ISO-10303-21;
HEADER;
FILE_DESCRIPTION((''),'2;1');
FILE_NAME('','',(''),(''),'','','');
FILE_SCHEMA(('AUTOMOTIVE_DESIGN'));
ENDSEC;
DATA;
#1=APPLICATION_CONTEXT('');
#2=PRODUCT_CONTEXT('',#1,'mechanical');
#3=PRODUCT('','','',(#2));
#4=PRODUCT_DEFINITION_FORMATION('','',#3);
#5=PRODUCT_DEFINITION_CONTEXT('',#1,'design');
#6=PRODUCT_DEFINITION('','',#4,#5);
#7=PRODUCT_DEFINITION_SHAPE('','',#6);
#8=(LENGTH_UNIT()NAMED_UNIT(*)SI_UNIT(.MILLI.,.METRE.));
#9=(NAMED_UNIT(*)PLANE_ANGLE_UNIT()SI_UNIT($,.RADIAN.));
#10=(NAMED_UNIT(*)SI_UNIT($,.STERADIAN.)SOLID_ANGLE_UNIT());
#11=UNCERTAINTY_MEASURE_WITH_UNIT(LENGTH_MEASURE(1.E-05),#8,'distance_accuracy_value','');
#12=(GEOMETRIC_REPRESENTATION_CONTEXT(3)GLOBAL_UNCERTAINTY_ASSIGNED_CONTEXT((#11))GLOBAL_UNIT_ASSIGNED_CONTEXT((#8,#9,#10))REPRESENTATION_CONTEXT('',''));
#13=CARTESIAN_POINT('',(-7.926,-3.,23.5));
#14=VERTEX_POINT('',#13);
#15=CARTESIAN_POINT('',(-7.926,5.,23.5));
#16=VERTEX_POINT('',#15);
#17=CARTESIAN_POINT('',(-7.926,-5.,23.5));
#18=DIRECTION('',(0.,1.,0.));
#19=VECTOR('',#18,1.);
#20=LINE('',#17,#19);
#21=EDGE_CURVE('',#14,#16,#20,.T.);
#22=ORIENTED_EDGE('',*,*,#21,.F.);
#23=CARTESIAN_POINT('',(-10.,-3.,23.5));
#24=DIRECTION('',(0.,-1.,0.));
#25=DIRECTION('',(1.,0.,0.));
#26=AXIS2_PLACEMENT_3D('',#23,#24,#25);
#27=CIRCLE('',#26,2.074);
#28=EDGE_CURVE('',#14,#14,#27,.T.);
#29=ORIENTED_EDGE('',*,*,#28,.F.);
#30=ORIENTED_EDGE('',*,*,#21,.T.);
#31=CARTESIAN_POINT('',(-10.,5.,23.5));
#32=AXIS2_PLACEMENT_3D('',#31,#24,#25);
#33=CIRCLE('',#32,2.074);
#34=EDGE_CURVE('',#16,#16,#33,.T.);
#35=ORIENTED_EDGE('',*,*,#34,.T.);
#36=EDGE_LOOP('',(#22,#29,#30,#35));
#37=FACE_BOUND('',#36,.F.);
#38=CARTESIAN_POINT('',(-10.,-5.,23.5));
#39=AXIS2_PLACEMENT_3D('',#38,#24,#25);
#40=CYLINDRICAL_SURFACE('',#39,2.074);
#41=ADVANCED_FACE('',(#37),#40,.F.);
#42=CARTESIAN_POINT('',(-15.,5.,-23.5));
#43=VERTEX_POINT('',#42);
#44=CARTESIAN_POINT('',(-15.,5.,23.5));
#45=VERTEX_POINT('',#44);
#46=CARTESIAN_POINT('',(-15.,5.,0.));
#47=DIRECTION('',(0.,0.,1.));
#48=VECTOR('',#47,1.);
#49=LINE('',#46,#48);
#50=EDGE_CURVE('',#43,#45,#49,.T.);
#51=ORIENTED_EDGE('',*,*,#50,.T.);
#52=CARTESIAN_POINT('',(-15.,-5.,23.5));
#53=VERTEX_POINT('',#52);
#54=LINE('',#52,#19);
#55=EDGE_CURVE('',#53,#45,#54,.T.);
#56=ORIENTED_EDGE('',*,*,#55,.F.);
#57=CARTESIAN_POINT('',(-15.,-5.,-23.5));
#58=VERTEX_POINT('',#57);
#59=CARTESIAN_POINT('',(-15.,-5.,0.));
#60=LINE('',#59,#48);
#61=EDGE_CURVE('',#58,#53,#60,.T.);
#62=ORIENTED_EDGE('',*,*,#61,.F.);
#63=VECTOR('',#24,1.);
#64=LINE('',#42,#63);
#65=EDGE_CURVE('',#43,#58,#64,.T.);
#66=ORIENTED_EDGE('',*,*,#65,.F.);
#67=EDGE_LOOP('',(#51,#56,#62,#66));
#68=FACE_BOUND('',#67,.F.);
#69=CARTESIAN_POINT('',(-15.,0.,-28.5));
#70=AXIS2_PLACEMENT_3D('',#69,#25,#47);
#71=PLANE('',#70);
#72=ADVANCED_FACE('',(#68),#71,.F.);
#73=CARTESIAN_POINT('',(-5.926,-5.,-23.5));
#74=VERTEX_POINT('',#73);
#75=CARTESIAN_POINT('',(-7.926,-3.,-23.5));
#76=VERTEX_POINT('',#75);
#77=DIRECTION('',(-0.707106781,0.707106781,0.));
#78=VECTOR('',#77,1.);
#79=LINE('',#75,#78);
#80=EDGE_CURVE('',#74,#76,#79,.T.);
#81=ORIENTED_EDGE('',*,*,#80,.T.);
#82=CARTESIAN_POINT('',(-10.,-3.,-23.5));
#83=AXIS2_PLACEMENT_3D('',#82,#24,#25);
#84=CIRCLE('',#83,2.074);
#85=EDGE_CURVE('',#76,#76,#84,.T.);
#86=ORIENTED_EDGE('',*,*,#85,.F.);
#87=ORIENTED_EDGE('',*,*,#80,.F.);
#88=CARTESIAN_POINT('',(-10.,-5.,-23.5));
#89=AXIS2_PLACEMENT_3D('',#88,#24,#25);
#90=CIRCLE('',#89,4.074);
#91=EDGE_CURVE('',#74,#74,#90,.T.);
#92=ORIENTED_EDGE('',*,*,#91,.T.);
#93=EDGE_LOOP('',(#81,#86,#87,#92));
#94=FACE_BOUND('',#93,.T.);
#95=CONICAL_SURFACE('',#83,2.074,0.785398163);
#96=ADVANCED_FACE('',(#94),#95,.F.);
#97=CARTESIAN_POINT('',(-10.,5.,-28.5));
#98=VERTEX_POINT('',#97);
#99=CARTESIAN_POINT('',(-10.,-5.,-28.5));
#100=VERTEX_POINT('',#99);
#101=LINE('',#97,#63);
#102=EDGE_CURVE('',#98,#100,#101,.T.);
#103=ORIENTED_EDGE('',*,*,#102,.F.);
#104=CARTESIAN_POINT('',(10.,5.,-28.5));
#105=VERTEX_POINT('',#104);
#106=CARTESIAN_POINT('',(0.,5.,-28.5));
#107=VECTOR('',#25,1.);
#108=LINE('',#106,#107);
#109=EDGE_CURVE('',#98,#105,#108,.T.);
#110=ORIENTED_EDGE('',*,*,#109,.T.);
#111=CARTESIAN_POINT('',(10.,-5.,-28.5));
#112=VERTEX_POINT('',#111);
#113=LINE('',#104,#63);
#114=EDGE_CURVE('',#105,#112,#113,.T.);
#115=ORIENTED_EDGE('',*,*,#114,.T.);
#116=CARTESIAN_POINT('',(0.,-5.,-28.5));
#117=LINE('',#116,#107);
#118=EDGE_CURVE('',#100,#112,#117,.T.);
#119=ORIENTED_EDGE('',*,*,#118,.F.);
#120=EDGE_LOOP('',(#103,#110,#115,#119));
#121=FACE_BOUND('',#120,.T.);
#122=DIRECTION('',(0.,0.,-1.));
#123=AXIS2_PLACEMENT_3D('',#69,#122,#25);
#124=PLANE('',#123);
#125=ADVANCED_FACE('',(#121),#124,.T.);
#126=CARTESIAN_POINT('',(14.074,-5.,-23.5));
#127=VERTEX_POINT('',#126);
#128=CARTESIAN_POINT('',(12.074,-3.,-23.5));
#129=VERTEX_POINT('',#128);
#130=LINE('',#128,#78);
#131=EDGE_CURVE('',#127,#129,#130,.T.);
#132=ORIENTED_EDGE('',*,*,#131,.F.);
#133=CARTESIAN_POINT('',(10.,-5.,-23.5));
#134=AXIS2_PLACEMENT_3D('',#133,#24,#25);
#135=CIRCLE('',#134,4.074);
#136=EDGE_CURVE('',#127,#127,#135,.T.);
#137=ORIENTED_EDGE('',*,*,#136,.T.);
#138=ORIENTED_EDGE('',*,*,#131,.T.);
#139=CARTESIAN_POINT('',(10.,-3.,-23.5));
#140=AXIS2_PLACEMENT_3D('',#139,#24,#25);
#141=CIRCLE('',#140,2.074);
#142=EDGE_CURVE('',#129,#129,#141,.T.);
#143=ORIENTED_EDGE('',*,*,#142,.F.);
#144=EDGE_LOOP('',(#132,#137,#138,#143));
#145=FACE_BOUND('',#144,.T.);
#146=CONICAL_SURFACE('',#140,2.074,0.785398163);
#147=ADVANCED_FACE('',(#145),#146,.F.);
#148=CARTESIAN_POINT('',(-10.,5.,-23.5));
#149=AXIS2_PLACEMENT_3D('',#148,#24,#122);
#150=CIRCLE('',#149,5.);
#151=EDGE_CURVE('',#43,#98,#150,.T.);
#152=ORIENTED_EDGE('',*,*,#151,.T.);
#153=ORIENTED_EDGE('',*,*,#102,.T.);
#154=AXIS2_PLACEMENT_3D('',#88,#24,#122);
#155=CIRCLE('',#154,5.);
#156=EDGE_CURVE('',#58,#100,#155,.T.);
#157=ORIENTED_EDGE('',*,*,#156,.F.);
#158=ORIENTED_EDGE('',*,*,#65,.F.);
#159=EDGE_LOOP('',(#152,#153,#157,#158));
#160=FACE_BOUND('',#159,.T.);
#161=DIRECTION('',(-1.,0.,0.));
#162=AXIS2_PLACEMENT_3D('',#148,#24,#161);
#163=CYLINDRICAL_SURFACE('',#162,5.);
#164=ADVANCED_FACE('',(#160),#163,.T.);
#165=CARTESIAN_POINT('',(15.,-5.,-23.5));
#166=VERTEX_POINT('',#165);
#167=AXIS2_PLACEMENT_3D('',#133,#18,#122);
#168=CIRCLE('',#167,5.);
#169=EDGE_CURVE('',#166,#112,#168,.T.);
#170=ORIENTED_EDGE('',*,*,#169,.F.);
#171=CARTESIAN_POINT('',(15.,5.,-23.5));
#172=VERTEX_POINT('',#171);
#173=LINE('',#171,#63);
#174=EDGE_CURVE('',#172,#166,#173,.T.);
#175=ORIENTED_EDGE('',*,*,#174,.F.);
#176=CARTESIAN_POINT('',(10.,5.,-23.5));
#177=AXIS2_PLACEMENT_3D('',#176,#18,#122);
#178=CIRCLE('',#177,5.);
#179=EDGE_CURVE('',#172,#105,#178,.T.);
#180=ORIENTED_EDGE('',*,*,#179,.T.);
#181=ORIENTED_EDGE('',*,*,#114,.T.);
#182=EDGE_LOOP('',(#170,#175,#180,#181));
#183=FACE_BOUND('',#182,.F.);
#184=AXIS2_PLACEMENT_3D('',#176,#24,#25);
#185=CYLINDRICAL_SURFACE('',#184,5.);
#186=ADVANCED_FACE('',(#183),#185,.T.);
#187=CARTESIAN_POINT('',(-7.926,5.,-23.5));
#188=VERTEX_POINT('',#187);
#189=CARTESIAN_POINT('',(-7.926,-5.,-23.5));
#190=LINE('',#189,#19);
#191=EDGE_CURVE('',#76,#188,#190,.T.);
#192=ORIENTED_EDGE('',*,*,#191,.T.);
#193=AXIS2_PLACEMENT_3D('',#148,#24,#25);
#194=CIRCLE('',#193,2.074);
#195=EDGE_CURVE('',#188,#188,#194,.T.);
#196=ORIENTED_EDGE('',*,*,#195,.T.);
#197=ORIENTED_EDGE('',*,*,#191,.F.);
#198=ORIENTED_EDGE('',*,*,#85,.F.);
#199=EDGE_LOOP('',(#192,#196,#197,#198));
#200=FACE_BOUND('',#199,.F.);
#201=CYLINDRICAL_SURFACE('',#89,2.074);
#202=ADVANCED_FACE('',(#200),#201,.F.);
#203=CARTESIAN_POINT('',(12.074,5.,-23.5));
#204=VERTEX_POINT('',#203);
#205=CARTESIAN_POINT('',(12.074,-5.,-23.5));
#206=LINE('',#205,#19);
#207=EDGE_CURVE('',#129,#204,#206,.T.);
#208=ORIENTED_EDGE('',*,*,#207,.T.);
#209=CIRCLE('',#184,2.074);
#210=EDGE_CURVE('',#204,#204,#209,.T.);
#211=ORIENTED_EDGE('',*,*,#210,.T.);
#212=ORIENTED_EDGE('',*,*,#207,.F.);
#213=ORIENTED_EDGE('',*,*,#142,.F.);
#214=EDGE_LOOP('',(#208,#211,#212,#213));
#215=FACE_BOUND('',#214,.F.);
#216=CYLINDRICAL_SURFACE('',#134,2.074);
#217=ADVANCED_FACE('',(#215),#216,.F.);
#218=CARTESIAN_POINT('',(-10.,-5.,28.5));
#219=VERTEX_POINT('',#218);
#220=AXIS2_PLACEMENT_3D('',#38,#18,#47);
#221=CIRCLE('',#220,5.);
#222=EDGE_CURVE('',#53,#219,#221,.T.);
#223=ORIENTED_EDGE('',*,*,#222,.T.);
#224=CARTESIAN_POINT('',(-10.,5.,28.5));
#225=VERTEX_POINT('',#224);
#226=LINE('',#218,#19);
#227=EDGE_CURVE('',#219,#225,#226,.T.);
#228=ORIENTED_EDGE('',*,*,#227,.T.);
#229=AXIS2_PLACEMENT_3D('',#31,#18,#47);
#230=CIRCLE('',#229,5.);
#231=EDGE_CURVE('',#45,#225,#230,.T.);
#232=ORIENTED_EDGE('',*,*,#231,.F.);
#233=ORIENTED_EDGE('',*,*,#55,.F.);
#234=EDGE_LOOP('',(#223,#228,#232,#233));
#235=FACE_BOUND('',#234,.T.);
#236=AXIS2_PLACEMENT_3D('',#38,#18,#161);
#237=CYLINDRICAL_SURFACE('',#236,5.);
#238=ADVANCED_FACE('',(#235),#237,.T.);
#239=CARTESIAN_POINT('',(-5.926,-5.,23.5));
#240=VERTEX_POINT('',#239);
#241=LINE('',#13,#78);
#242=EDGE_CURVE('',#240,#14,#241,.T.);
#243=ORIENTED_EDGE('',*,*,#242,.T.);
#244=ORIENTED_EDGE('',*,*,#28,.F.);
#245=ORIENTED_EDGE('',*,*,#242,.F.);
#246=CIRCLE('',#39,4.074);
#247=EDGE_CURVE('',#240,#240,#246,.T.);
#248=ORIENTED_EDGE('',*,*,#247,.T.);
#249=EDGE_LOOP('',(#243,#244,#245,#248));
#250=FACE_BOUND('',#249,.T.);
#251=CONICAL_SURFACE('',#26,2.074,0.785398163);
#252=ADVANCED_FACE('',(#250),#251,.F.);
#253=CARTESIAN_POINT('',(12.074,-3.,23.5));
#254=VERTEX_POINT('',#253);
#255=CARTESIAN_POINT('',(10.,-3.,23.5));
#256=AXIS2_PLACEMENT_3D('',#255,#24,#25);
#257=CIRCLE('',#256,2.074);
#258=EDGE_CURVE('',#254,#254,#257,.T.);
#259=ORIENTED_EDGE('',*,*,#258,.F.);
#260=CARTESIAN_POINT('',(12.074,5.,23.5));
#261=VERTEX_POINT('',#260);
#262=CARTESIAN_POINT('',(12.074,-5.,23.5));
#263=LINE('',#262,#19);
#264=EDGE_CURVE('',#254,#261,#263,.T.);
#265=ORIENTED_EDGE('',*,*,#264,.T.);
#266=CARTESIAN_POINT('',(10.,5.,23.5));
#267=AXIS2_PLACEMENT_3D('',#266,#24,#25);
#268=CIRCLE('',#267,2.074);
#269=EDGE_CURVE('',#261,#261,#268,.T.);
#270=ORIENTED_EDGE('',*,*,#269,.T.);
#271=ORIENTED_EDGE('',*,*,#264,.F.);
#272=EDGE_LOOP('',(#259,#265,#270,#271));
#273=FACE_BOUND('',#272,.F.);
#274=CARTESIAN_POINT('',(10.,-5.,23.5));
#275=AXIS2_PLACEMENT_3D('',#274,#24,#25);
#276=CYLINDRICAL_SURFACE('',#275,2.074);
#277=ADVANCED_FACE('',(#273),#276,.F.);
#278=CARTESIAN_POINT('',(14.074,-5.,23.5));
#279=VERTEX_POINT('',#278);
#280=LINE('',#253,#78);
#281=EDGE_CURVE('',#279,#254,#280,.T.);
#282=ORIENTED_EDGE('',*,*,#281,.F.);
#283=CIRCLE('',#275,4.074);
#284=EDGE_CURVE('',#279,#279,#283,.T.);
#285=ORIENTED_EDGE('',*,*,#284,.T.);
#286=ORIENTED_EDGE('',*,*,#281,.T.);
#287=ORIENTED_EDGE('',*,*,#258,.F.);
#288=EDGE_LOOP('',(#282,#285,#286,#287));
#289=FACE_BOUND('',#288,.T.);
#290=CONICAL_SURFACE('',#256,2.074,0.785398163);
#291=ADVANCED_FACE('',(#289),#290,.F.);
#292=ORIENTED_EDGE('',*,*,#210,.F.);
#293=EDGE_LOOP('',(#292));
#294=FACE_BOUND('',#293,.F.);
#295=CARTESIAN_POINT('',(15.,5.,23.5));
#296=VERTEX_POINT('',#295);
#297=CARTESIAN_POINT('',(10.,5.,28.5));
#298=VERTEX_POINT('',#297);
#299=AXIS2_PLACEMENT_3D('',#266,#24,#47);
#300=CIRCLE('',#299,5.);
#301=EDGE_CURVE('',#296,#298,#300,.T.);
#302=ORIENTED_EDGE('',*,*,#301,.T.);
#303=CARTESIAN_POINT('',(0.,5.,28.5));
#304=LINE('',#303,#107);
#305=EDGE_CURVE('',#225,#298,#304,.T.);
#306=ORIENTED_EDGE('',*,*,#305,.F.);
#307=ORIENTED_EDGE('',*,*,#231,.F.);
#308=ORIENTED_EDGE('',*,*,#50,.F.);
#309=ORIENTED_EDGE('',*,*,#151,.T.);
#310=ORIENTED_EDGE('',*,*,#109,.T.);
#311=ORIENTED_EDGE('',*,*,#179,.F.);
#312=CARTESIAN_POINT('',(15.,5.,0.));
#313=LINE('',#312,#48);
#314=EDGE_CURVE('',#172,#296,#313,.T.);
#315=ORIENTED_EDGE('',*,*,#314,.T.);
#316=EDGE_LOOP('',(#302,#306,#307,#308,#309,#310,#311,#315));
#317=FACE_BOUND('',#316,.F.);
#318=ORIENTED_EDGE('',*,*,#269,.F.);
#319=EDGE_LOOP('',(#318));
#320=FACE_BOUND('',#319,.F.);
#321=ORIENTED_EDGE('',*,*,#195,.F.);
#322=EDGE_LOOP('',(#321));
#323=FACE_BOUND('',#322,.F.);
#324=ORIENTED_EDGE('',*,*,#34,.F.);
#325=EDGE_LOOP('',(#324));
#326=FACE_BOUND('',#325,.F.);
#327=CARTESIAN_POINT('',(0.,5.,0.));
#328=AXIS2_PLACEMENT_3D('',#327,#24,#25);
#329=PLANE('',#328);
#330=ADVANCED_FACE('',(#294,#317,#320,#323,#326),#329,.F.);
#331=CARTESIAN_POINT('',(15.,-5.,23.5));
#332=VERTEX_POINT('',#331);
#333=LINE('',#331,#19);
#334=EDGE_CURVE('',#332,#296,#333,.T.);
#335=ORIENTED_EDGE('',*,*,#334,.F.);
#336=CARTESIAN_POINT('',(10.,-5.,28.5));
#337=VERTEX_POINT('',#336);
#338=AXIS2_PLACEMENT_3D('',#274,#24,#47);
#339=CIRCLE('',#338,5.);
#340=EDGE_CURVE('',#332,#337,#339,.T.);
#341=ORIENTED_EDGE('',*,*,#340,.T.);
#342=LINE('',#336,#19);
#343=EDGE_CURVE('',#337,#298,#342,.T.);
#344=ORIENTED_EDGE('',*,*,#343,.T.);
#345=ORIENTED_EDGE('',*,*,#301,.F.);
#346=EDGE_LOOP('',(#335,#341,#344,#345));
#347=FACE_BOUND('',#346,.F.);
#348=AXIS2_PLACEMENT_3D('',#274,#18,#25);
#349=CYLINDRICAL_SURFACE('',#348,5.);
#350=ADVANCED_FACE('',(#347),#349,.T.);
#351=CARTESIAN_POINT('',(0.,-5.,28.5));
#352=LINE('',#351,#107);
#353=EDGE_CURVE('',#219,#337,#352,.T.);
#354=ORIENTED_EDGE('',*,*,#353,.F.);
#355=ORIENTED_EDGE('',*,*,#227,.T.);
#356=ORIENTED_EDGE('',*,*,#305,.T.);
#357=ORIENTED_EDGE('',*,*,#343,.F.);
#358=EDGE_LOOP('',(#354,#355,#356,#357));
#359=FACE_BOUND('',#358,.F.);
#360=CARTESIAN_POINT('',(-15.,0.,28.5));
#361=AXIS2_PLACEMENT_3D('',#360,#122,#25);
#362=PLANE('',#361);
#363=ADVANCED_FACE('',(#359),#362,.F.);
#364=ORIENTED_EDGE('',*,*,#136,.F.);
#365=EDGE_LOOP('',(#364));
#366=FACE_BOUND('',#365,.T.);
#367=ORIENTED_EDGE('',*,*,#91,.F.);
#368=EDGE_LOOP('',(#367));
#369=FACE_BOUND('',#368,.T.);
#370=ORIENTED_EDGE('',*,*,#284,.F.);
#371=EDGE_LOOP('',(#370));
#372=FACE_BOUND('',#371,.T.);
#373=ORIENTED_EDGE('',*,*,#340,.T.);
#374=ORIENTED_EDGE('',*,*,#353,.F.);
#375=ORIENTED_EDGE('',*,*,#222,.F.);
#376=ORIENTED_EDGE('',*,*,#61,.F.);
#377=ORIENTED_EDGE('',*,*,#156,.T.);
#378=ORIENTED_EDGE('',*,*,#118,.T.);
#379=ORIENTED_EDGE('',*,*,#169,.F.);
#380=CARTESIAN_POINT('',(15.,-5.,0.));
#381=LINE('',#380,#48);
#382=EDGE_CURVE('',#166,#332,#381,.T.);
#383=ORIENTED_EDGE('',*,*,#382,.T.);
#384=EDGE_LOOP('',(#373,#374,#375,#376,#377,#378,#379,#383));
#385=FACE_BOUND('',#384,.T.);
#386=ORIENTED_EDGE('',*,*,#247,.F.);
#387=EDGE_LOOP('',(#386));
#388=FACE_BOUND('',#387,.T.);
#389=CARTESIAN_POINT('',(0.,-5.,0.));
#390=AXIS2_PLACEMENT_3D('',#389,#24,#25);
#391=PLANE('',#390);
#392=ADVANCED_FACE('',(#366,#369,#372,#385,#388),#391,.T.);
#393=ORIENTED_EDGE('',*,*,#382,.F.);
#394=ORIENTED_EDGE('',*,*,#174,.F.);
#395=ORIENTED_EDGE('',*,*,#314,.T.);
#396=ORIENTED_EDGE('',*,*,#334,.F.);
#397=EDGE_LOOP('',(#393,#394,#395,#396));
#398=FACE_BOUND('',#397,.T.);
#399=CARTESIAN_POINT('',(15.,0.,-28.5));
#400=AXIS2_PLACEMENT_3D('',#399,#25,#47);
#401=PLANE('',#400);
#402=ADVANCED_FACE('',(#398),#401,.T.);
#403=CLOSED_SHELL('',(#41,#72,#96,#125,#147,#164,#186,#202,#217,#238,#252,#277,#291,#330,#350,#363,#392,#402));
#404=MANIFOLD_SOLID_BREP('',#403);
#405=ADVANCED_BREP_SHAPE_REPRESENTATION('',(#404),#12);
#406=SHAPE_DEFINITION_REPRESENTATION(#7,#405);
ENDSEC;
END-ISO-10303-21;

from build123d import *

# Parameters (mm, degrees)
F0_W          = 30
F0_H          = 57
F1_DEPTH      = 5
F1_DEPTH_BACK = 5
F2_R          = 5
F3_R          = 2.074
F4_DEPTH      = 10.001
F5_SIZE       = 2


with BuildPart() as f1:
    # F0 (on Front) → F1 (new body, two sides)
    with BuildSketch(Plane.XZ) as f1_sk:
        Rectangle(F0_W, F0_H)
    extrude(amount=F1_DEPTH)
    extrude(f1_sk.sketch, amount=-F1_DEPTH_BACK)

    # F2
    f2_edges = [f1.edges().sort_by_distance(p)[0] for p in [
        (-15, 0, 28.5),
        (15, 0, 28.5),
        (-15, 0, -28.5),
        (15, 0, -28.5),
    ]]
    fillet(f2_edges, radius=F2_R)

    # F3 (on face) → F4 (cut, through all)
    with BuildSketch(Plane.XZ.offset(5)):
        with Locations((-10, 23.5)):
            Circle(F3_R)
        with Locations((10, 23.5)):
            Circle(F3_R)
        with Locations((-10, -23.5)):
            Circle(F3_R)
        with Locations((10, -23.5)):
            Circle(F3_R)
    extrude(amount=-F4_DEPTH, mode=Mode.SUBTRACT)

    # F5
    f5_edges = [f1.edges().sort_by_distance(p)[0] for p in [
        (-12.074, -5, 23.5),
        (7.926, -5, 23.5),
        (-12.074, -5, -23.5),
        (7.926, -5, -23.5),
    ]]
    chamfer(f5_edges, length=F5_SIZE)


solid = f1.part
